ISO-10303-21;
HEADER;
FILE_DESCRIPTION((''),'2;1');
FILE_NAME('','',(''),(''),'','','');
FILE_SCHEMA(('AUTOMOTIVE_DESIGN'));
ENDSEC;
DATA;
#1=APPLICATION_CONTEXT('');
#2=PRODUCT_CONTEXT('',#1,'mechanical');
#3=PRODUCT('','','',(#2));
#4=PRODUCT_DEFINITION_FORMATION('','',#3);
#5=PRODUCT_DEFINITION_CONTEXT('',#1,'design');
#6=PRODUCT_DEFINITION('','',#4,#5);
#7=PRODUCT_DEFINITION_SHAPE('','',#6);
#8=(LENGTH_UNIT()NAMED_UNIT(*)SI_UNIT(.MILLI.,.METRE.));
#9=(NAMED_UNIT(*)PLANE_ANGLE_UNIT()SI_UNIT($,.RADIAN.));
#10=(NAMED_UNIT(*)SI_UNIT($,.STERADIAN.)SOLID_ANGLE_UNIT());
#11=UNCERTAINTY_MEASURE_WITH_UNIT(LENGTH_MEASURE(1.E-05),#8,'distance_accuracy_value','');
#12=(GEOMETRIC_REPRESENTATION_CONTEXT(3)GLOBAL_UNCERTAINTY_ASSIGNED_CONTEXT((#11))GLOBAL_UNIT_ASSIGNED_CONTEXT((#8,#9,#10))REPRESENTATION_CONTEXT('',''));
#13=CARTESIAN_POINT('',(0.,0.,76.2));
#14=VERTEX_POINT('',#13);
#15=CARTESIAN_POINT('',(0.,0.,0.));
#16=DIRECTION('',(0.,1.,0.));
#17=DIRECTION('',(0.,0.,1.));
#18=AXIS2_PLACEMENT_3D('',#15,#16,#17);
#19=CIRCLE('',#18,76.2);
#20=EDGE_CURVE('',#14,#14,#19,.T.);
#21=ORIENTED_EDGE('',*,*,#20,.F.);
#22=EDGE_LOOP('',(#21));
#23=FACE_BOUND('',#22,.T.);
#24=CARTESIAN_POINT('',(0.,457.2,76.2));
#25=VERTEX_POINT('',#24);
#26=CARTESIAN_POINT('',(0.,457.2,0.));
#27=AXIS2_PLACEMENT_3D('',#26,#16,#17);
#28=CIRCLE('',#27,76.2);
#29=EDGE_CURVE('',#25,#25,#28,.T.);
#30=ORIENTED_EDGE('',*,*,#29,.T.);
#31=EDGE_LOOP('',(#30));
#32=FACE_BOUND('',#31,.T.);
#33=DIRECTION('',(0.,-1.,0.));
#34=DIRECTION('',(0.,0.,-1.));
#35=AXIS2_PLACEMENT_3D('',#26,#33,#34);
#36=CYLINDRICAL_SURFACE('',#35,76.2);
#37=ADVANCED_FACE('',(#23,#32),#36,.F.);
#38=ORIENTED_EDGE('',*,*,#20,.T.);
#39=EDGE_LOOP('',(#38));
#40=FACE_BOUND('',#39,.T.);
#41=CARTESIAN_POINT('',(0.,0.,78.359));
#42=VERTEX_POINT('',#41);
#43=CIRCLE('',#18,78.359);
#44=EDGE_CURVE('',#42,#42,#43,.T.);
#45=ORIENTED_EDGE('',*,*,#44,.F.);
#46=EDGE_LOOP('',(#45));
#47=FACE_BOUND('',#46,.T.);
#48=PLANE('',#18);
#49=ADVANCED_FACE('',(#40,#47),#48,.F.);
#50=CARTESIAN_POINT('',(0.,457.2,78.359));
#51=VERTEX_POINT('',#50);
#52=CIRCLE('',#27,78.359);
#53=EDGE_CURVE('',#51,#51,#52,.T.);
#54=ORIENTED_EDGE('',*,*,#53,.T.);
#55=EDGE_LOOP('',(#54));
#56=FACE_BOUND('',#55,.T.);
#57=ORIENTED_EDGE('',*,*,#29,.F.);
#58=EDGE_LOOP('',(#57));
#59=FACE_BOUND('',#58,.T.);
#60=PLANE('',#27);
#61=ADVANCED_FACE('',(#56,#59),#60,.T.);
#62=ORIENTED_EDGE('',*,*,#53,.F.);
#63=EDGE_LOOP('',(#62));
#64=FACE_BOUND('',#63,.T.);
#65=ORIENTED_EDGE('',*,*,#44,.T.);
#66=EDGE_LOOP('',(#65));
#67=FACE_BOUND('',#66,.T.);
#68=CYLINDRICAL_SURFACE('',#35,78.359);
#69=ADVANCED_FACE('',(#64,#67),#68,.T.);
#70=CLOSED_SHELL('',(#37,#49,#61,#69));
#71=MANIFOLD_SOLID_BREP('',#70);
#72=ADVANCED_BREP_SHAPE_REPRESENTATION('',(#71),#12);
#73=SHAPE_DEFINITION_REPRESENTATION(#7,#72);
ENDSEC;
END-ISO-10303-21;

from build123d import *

# Parameters (mm, degrees)
SKETCH1_R           = 78.359
SKETCH1_R_2         = 76.2
BOSS_EXTRUDE1_DEPTH = 457.2


with BuildPart() as part:
    # Sketch1 → Boss-Extrude1 (new body)
    with BuildSketch(Plane(origin=(0, 0, 0), x_dir=(1, 0, 0), z_dir=(0, 1, 0))):
        with Locations(Location((0, 0, 0), (0, 0, 270))):
            Circle(SKETCH1_R)
        with Locations(Location((0, 0, 0), (0, 0, 270))):
            Circle(SKETCH1_R_2, mode=Mode.SUBTRACT)
    extrude(amount=BOSS_EXTRUDE1_DEPTH)


solid = part.part
